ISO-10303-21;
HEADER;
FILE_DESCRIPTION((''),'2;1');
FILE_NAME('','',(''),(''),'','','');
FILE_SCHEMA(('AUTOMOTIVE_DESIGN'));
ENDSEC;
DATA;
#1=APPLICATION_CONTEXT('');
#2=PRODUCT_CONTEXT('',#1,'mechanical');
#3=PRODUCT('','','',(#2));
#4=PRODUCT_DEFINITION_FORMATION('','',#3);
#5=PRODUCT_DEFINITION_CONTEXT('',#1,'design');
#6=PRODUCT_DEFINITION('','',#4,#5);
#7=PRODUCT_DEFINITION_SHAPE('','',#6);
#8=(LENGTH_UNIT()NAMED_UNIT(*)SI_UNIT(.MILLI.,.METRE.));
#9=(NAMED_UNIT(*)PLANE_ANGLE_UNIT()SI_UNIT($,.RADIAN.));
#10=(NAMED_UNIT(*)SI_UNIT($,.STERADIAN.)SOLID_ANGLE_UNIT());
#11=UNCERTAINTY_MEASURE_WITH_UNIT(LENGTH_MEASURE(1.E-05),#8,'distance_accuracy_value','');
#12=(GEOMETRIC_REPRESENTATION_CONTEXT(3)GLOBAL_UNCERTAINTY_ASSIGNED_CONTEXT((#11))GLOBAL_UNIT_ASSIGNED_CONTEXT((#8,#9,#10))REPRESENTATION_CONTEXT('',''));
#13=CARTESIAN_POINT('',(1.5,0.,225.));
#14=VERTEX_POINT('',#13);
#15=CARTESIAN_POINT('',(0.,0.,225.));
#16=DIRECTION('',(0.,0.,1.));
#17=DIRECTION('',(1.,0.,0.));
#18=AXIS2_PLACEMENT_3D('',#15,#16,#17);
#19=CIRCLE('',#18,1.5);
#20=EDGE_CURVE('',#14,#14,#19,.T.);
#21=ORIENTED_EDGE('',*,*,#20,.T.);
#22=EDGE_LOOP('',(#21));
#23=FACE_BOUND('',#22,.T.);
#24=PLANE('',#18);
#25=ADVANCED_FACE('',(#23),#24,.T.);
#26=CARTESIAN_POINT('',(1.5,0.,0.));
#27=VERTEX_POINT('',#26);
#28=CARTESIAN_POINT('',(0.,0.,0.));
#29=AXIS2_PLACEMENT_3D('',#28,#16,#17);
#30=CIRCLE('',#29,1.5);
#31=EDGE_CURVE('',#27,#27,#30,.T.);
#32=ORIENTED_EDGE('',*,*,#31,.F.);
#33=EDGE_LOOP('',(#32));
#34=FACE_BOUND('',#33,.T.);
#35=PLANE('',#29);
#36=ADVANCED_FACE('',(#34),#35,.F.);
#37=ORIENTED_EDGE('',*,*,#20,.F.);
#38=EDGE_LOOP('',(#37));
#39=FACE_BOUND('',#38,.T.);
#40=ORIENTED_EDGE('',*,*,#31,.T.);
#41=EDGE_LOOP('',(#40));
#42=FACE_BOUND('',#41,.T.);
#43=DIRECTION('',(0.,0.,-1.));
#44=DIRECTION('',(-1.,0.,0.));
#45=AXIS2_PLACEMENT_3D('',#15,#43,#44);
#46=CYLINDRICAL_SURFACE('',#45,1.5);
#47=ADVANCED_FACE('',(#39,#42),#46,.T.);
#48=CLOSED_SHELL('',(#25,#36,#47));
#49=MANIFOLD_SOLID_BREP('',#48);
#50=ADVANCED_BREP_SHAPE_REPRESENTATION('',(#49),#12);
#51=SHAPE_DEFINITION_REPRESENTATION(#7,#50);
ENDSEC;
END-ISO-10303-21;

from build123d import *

# Parameters (mm, degrees)
SZKIC1_R                    = 1.5
DODANIE_WYCI_GNI_CIE1_DEPTH = 225


with BuildPart() as part:
    # Szkic1 → Dodanie-wyciągnięcie1 (new body)
    with BuildSketch(Plane.XY):
        Circle(SZKIC1_R)
    extrude(amount=DODANIE_WYCI_GNI_CIE1_DEPTH)


solid = part.part
